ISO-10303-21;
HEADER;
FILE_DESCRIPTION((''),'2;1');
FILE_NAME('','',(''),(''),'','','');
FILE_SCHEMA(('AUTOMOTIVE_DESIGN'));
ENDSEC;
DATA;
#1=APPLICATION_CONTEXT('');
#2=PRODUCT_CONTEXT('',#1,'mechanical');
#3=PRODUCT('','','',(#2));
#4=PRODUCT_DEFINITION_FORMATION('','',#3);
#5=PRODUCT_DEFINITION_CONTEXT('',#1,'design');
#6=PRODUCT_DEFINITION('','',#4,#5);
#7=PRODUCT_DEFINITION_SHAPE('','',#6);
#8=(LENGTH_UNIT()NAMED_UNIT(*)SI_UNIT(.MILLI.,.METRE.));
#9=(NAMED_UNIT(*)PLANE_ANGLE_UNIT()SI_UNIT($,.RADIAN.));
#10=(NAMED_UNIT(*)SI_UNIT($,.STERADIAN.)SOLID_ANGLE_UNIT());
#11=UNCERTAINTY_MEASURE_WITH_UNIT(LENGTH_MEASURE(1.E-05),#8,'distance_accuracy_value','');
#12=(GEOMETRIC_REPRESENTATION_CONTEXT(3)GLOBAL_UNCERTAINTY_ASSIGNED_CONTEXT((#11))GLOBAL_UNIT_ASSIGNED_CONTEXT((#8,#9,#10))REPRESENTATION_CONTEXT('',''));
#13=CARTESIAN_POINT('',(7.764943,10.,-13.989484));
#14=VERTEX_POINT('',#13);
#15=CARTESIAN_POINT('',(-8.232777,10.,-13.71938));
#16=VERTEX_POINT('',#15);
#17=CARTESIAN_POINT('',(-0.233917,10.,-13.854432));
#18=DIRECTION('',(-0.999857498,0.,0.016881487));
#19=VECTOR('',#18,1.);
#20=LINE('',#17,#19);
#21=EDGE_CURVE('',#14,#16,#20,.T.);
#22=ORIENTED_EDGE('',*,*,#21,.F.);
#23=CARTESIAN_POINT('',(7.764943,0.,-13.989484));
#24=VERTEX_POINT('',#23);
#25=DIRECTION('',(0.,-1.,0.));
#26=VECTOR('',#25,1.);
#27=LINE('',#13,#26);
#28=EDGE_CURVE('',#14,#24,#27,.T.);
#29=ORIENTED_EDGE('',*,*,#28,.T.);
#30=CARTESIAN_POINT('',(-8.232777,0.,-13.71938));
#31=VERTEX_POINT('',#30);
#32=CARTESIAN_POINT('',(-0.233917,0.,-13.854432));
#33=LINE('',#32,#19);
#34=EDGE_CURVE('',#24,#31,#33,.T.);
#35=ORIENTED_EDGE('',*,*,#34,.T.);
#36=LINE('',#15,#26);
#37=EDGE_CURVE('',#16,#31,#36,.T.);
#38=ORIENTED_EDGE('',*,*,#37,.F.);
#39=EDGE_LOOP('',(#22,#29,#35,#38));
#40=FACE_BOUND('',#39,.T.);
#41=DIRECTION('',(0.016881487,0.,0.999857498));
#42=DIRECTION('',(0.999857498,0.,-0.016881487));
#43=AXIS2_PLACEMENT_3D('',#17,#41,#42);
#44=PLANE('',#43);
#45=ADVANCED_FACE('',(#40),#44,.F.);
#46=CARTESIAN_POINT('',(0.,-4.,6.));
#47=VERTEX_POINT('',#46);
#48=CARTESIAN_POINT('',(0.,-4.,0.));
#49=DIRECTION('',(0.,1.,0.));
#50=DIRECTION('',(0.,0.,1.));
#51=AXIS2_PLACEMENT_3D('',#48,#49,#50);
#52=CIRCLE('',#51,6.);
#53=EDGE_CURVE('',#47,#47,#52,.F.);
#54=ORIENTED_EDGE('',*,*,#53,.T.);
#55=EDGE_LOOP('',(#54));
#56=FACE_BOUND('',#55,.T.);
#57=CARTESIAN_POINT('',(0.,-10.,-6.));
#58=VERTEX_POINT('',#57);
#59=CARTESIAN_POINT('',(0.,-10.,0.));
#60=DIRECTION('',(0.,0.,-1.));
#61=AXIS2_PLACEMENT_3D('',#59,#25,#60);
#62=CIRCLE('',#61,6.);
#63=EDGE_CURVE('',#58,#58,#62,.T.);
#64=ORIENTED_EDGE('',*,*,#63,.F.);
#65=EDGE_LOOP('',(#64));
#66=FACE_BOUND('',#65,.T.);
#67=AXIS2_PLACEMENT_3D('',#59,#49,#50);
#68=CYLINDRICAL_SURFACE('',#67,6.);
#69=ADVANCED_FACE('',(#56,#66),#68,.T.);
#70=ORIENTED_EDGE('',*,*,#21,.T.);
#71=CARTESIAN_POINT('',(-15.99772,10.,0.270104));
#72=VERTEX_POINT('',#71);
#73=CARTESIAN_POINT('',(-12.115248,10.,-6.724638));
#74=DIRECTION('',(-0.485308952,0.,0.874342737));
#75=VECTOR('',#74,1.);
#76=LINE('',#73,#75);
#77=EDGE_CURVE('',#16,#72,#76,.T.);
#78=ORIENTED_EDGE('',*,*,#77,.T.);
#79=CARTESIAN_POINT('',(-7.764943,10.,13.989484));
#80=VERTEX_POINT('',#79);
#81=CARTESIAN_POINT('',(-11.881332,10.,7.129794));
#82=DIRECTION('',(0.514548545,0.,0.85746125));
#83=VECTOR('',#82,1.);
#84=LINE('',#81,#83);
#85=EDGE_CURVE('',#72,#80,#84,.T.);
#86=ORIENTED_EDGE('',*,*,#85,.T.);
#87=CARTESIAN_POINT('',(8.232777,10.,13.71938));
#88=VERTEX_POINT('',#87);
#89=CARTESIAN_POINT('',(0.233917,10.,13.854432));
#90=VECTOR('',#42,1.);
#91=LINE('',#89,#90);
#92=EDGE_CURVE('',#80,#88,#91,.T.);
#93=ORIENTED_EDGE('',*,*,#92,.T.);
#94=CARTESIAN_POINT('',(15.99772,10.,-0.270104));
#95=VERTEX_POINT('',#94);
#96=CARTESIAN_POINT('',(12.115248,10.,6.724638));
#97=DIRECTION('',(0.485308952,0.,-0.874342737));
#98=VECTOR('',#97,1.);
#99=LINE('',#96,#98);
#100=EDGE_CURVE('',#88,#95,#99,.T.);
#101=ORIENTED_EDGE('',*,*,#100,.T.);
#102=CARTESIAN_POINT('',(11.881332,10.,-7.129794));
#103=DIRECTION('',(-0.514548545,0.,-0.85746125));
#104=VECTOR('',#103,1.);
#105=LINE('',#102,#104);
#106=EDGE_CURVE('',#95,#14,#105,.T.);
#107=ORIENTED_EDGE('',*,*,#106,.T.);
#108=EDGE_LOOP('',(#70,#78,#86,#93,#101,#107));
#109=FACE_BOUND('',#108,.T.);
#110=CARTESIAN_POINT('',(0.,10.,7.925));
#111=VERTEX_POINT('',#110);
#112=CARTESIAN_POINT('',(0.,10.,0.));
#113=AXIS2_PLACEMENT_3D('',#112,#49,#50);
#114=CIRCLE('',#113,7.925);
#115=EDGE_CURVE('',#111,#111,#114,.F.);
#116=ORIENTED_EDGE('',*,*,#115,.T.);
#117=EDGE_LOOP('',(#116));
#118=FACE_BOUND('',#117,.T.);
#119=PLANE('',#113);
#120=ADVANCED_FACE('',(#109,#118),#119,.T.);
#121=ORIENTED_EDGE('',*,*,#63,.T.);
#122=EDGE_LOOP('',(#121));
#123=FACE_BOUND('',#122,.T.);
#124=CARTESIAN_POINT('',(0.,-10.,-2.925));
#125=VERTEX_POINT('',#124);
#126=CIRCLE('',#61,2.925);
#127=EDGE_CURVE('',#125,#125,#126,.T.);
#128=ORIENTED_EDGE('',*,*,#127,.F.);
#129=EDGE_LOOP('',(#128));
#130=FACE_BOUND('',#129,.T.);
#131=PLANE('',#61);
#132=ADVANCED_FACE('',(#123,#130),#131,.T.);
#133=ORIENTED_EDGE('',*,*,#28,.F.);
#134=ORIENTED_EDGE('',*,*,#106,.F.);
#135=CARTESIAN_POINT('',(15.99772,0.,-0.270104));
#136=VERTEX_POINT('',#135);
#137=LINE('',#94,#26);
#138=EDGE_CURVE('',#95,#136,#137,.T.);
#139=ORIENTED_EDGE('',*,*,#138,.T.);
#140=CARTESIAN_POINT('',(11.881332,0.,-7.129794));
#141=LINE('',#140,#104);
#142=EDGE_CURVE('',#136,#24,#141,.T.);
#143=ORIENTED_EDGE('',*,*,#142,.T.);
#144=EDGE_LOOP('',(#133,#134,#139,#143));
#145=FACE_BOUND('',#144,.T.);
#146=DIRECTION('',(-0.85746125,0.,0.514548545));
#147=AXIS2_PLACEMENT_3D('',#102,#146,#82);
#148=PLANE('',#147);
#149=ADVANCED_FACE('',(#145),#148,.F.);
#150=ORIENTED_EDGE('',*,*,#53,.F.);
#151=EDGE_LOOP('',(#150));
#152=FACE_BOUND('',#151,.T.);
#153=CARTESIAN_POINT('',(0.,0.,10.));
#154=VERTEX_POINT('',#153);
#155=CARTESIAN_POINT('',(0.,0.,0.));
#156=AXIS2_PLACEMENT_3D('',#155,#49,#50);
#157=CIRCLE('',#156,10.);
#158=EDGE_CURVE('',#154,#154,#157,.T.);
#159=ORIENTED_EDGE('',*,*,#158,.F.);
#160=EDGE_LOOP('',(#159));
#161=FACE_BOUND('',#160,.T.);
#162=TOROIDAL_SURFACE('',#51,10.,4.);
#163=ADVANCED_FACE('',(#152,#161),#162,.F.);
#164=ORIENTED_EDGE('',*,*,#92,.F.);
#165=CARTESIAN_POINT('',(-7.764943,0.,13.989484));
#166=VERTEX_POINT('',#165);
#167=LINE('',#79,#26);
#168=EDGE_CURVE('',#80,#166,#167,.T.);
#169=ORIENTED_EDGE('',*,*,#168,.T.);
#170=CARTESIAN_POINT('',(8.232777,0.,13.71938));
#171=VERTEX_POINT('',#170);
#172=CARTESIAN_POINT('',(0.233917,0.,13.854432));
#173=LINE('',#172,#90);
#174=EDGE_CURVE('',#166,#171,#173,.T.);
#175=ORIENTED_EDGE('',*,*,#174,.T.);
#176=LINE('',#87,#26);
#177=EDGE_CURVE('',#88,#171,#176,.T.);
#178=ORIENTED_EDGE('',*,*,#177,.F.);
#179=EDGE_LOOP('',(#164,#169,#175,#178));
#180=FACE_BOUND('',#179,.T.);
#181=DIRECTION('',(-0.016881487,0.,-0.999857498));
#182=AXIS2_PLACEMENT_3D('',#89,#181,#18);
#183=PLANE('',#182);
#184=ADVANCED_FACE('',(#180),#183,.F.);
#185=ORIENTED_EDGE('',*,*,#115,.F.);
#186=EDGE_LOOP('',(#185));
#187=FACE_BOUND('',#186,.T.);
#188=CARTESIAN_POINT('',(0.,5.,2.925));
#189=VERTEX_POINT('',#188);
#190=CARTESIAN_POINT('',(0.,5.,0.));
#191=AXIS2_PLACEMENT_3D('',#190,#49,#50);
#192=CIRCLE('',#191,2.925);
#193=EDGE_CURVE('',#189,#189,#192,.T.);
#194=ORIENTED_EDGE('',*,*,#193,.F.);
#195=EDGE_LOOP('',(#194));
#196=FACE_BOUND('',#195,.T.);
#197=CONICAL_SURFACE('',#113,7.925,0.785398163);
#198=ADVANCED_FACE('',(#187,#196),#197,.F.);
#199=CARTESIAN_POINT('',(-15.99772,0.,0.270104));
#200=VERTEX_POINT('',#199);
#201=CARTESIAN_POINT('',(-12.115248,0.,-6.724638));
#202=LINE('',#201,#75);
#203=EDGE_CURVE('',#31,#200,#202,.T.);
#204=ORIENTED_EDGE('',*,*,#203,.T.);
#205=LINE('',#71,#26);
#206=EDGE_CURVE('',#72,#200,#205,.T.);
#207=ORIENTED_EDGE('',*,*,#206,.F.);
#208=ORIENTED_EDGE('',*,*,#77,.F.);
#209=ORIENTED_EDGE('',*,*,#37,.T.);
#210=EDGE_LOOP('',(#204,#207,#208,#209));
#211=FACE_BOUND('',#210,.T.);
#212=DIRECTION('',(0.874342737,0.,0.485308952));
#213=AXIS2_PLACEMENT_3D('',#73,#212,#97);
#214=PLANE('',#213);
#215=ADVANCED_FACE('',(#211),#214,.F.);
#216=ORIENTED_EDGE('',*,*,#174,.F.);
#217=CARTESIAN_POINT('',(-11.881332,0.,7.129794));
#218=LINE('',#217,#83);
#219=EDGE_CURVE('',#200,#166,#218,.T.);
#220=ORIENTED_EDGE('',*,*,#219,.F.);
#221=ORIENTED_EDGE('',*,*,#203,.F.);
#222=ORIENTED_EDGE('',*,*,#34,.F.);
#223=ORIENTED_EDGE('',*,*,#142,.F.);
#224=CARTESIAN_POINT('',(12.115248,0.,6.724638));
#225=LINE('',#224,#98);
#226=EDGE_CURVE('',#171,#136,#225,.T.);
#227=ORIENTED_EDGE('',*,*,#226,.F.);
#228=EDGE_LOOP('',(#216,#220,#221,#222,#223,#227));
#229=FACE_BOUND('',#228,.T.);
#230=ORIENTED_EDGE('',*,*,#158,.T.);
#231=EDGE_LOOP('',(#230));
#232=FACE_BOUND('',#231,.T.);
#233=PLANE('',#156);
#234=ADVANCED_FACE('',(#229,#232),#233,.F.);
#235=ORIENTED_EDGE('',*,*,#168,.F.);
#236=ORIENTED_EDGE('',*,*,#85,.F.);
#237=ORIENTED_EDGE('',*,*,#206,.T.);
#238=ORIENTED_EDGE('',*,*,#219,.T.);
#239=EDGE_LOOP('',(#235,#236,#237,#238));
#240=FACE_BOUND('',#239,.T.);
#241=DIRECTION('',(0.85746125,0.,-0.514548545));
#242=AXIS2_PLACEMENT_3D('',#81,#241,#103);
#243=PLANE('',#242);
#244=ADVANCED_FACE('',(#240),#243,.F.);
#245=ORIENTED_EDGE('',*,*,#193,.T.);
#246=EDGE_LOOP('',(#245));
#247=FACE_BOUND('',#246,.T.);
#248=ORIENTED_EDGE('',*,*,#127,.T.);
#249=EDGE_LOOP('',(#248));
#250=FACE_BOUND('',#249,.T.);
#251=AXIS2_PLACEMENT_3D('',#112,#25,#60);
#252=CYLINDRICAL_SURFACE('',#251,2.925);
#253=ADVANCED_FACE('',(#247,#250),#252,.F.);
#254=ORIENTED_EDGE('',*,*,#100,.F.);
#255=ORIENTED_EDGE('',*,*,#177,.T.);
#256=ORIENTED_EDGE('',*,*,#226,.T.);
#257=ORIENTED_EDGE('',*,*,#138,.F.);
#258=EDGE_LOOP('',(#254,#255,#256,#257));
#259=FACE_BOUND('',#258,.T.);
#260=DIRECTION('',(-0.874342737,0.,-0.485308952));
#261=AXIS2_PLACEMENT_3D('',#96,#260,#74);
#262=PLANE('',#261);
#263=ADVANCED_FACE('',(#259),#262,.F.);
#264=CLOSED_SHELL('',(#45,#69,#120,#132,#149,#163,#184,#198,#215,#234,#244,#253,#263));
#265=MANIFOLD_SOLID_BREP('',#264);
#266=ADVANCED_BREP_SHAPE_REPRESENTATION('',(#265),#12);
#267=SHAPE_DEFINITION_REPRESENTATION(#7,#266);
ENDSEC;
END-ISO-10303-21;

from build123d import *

# Parameters (mm, degrees)
BOSS_EXTRUDE1_DEPTH = 10
SKETCH2_R           = 6
BOSS_EXTRUDE2_DEPTH = 10
SKETCH3_R           = 2.925
CUT_EXTRUDE1_DEPTH  = 21
FILLET1_R           = 4
CHAMFER1_SIZE       = 5


with BuildPart() as part:
    # Sketch1 → Boss-Extrude1 (new body)
    with BuildSketch(Plane(origin=(0, 0, 0), x_dir=(1, 0, 0), z_dir=(0, 1, 0))):
        Polygon((7.764943234, 13.989483785), (-8.232776727, 13.719379992), (-15.997719961, -0.270103793), (-7.764943234, -13.989483785), (8.232776727, -13.719379992), (15.997719961, 0.270103793), align=None)
    extrude(amount=BOSS_EXTRUDE1_DEPTH)

    # Sketch2 → Boss-Extrude2 (add)
    with BuildSketch(Plane.XZ):
        Circle(SKETCH2_R)
    extrude(amount=BOSS_EXTRUDE2_DEPTH)

    # Sketch3 → Cut-Extrude1 (cut, through all)
    with BuildSketch(Plane.XZ.offset(10)):
        Circle(SKETCH3_R)
    extrude(amount=-CUT_EXTRUDE1_DEPTH, mode=Mode.SUBTRACT)

    # Fillet1
    fillet1_edges = [part.edges().sort_by_distance(p)[0] for p in [
        (-6, 0, 0),
    ]]
    fillet(fillet1_edges, radius=FILLET1_R)

    # Chamfer1
    chamfer1_edges = [part.edges().sort_by_distance(p)[0] for p in [
        (-2.925, 10, 0),
    ]]
    chamfer(chamfer1_edges, length=CHAMFER1_SIZE)


solid = part.part
